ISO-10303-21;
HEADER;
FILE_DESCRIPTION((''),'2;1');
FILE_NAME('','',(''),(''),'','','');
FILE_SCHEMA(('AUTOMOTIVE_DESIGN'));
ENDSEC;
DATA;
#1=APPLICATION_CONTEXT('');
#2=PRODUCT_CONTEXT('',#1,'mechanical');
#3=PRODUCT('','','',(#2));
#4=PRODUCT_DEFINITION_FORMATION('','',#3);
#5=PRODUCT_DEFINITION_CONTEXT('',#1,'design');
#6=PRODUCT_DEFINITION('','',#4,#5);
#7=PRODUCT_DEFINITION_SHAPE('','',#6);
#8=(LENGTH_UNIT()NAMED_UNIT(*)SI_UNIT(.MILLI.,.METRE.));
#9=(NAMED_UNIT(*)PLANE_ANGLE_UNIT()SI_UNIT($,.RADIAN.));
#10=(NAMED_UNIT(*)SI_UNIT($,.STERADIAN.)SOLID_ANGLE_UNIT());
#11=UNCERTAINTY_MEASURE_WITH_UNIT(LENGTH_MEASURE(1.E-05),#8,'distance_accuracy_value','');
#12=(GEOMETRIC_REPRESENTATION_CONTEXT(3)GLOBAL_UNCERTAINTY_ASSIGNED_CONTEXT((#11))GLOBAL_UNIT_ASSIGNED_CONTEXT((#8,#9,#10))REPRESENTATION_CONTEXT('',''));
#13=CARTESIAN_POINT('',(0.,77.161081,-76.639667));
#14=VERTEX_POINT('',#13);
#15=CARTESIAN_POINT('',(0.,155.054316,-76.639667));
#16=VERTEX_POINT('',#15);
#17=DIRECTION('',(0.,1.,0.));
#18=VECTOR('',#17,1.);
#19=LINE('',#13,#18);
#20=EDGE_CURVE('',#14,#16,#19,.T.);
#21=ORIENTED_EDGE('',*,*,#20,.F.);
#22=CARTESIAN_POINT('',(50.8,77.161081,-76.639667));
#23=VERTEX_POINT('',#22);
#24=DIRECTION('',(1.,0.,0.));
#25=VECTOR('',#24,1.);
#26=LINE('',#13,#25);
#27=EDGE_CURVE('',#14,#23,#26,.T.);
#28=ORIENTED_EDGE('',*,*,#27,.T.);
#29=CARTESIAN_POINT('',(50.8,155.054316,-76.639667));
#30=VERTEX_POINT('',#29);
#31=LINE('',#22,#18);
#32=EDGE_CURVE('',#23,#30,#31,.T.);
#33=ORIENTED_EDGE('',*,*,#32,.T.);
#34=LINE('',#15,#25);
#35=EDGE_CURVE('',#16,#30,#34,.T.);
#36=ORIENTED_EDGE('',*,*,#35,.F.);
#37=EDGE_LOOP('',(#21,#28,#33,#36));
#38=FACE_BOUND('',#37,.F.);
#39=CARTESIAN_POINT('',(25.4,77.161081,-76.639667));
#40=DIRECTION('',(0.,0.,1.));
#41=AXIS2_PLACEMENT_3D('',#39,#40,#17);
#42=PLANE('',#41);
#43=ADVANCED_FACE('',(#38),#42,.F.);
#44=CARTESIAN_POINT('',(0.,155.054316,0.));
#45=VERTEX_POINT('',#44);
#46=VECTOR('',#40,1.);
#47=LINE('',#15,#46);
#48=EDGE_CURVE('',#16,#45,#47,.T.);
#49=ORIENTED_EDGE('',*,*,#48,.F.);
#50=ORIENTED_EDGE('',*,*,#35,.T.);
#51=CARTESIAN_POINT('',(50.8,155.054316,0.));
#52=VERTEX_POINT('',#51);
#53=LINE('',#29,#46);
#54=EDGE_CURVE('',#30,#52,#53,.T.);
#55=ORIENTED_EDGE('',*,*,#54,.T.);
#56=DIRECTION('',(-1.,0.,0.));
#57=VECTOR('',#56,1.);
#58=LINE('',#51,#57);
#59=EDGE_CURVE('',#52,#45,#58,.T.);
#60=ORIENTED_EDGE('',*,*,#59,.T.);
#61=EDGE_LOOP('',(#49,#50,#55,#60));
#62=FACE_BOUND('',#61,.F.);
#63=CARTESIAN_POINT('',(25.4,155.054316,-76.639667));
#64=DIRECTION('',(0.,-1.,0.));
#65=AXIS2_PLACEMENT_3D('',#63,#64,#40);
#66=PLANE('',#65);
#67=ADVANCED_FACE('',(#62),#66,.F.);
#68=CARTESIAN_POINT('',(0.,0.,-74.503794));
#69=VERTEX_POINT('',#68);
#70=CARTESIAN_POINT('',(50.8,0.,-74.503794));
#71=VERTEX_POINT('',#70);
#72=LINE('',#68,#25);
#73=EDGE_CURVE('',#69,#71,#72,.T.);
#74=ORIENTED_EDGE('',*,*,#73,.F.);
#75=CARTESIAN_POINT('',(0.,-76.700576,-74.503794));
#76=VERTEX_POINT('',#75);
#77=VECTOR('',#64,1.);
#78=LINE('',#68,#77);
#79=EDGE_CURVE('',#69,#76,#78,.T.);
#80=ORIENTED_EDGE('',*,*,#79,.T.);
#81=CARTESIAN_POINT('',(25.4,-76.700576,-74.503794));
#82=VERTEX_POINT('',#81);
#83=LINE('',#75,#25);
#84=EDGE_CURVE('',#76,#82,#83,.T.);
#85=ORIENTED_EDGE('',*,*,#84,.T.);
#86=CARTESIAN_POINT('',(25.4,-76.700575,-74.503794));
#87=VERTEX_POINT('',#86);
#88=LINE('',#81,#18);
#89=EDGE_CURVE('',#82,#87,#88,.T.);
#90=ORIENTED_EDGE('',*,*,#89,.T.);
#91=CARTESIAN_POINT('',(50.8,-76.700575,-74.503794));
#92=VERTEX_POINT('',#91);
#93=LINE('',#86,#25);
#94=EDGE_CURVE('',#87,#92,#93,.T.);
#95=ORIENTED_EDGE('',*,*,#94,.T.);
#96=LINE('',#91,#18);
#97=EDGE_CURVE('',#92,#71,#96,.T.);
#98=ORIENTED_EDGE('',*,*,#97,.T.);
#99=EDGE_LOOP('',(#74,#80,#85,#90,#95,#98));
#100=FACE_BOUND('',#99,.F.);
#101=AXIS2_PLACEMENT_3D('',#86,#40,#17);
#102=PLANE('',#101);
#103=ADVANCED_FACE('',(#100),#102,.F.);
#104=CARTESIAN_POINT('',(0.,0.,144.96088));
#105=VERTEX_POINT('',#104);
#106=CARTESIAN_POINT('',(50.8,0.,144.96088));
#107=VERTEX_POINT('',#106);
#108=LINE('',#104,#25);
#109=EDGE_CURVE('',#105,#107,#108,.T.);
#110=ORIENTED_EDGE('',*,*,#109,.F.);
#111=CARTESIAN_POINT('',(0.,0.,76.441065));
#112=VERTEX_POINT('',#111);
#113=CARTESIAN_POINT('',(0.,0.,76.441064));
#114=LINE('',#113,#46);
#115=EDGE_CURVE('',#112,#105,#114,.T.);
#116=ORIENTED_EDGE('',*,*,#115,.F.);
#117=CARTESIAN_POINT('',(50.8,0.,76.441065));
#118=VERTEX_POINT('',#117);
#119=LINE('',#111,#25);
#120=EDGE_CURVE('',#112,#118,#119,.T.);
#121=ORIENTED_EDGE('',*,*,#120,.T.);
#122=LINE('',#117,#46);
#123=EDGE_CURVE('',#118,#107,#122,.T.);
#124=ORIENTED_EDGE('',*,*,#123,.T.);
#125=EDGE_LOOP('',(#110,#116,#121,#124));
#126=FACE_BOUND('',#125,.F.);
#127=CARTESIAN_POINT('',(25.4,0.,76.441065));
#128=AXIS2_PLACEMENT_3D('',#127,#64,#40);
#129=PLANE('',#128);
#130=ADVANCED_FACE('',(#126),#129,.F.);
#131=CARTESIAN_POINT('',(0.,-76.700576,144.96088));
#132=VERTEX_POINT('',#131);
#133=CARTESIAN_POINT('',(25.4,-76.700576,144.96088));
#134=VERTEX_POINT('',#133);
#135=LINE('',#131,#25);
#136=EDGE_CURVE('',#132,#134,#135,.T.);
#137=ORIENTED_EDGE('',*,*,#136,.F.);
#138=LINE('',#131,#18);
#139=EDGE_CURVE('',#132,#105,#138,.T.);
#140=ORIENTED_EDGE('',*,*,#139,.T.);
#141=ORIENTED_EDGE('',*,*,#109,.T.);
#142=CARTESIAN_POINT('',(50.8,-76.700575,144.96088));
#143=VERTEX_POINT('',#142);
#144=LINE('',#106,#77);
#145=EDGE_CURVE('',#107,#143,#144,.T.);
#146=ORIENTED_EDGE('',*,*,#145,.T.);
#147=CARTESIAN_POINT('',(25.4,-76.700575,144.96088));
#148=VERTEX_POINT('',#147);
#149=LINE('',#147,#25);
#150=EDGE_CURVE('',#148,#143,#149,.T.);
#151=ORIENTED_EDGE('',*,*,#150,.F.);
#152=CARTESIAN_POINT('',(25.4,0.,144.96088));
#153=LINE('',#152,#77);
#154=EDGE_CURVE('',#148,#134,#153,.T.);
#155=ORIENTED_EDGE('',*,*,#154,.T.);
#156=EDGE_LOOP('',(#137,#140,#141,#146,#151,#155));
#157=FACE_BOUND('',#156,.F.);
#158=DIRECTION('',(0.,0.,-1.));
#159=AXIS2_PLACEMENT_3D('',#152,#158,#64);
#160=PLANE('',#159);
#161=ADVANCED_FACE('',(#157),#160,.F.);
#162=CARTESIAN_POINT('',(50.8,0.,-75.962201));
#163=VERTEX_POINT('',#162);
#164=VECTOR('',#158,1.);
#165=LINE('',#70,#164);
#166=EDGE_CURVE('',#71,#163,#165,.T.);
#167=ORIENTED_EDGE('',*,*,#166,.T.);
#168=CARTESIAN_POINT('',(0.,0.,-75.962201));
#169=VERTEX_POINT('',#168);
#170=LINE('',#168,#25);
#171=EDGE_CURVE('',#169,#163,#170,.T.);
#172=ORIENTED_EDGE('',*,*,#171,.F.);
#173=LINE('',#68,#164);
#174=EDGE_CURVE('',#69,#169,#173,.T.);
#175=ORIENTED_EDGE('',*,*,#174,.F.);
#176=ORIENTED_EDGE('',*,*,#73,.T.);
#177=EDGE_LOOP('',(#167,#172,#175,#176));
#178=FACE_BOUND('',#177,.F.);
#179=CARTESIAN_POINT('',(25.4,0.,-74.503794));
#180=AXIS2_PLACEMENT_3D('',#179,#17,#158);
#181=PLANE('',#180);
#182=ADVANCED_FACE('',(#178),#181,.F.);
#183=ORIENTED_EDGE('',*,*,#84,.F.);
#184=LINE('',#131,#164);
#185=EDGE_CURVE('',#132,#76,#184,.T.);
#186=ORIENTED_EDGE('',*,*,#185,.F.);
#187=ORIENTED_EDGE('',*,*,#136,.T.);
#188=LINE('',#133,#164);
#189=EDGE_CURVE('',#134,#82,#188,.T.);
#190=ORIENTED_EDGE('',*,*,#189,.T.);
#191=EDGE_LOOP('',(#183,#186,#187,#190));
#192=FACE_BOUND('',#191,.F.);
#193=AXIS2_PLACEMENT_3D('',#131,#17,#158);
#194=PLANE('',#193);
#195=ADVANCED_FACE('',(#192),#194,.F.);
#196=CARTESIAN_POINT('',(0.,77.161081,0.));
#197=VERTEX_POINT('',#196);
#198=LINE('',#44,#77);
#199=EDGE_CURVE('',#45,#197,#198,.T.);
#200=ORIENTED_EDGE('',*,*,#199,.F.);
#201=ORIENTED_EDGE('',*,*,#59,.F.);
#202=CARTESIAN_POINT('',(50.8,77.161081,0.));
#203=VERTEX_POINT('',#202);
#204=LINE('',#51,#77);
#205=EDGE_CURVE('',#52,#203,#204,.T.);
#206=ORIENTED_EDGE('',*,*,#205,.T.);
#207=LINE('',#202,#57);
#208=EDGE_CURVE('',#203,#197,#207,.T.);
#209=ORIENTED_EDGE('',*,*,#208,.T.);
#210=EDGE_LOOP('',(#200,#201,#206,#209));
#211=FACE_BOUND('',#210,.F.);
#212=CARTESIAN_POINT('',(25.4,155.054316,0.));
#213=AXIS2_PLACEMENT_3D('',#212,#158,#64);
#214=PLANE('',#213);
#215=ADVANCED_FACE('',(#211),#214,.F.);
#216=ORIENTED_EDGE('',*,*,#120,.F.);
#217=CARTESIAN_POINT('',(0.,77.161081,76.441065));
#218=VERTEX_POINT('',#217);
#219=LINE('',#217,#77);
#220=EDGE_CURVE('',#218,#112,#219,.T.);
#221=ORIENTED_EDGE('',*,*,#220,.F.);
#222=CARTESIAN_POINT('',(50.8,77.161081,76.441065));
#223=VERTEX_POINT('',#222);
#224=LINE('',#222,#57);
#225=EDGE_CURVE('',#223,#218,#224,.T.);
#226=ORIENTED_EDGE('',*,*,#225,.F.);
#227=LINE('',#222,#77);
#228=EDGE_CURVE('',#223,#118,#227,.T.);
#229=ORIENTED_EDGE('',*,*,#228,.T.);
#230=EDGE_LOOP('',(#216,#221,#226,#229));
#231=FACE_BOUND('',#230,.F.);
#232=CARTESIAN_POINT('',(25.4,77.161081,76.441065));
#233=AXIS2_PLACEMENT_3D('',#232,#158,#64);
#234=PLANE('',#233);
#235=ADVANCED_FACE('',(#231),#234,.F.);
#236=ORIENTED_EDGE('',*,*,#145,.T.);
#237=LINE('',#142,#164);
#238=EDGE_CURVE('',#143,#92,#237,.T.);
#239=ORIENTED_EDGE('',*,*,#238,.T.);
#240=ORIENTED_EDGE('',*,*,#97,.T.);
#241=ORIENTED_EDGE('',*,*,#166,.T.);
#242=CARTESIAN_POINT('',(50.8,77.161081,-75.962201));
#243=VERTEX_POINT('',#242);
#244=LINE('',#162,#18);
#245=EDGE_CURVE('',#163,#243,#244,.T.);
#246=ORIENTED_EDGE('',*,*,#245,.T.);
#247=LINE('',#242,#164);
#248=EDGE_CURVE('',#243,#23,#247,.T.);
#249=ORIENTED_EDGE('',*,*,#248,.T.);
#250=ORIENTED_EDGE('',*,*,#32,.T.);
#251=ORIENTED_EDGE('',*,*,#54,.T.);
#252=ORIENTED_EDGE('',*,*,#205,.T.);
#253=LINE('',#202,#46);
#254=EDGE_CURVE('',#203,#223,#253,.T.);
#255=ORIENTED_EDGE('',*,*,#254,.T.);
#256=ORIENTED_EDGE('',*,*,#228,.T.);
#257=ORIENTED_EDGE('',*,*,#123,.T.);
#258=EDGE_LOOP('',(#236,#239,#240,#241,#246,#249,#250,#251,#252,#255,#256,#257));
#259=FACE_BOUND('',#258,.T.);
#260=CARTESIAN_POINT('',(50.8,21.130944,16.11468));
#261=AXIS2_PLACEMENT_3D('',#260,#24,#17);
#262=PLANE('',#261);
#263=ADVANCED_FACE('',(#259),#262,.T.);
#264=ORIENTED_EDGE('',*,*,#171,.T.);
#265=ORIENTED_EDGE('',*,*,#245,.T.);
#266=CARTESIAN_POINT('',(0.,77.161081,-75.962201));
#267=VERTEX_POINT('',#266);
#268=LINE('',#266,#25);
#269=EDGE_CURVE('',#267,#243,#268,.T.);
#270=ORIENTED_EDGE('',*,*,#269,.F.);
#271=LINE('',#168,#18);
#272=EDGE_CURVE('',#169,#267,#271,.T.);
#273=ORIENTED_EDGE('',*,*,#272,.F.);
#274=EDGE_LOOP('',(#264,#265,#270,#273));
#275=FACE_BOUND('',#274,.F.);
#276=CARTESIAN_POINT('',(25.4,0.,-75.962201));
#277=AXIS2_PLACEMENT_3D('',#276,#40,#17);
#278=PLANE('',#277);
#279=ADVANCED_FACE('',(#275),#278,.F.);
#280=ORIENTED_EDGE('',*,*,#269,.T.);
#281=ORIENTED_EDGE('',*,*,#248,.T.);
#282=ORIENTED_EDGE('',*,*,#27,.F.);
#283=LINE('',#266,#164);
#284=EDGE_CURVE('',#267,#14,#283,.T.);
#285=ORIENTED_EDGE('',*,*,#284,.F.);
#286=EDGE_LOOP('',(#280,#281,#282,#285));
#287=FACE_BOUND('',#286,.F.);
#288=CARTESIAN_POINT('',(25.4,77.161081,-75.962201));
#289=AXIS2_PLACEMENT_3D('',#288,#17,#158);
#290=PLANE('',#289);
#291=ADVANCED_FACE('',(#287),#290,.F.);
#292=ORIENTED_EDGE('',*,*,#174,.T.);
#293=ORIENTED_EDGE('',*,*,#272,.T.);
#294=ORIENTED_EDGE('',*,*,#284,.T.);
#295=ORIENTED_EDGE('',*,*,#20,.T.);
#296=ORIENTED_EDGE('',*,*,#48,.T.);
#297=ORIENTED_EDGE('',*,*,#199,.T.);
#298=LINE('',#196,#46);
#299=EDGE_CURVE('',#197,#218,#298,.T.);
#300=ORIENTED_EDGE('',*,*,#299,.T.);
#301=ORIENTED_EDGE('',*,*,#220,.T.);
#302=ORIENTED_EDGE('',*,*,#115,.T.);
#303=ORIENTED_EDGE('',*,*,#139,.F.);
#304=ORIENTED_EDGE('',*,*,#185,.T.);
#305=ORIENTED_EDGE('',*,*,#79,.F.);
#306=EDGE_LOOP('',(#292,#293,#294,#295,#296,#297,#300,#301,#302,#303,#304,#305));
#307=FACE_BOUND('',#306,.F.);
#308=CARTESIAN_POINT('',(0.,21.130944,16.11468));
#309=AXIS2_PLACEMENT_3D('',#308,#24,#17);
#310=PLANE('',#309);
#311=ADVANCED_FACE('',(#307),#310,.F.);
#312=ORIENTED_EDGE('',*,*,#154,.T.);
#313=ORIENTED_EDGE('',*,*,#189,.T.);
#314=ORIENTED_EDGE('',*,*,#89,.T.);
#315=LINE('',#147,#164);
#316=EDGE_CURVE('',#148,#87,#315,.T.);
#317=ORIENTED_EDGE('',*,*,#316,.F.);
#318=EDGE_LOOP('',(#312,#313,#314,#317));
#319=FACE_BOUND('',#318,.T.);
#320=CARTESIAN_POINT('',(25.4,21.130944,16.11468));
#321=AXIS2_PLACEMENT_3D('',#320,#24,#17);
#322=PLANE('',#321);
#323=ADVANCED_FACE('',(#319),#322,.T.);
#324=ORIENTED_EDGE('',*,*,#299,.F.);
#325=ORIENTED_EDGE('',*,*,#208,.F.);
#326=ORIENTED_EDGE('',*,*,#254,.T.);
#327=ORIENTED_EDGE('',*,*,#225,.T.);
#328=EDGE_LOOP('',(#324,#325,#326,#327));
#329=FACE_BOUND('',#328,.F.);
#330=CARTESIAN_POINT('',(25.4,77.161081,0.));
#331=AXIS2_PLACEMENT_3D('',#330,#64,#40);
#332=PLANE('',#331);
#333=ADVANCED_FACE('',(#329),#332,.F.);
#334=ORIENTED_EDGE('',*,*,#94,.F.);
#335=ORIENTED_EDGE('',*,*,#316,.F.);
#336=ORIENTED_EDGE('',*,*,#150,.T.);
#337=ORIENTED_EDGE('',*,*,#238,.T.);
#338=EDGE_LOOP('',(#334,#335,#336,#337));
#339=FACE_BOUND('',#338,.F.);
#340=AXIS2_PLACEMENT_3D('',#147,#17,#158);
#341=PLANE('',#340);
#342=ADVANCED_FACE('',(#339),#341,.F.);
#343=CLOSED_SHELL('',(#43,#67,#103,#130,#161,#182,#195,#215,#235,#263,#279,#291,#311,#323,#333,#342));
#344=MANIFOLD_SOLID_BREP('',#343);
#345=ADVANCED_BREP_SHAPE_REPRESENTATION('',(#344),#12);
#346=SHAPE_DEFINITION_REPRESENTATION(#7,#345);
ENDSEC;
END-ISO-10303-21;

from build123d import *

# Parameters (mm, degrees)
F0_W     = 77.161081
F0_H     = 76.441064
F0_W_2   = 76.700576
F0_H_2   = 58.707238
F0_H_3   = 9.812578
F1_DEPTH = 25.4
F2_DEPTH = 25.4
F3_DEPTH = 25.4


with BuildPart() as f1:
    # F0 (on Right) → F1 (new body)
    with BuildSketch(Plane.YZ):
        with Locations((38.58054, 38.220532)):
            Rectangle(F0_W, F0_H)
        Polygon((0, -74.503794), (0, 0), (0, 76.441064), (-76.700576, 76.441064), (-76.700576, -74.503794), align=None)
        Polygon((77.161081, 0), (0, 0), (0, -74.503794), (0, -75.962201), (77.161081, -75.962201), align=None)
        Polygon((155.054316, 0), (77.161081, 0), (77.161081, -75.962201), (77.161081, -76.639667), (155.054316, -76.639667), align=None)
        with Locations((-38.350288, 105.794683)):
            Rectangle(F0_W_2, F0_H_2)
        with Locations((-38.350288, 140.054591)):
            Rectangle(F0_W_2, F0_H_3)
    extrude(amount=F1_DEPTH)

    # F1_face (on face) → F2 (join)
    with BuildSketch(Plane(origin=(25.4, 14.503292, 10.620267), x_dir=(0, 1, 0), z_dir=(1, 0, 0))):
        Polygon((62.657789, 65.820798), (-14.503292, 65.820798), (-14.503292, 134.340613), (-91.203867, 134.340613), (-91.203867, -85.124061), (-14.503292, -85.124061), (-14.503292, -86.582468), (62.657789, -86.582468), (62.657789, -87.259934), (140.551024, -87.259934), (140.551024, -10.620267), (62.657789, -10.620267), align=None)
    extrude(amount=-F2_DEPTH)

    # F1_face (on face) → F3 (join)
    with BuildSketch(Plane(origin=(25.4, 14.503292, 10.620267), x_dir=(0, 1, 0), z_dir=(1, 0, 0))):
        Polygon((62.657789, 65.820798), (-14.503292, 65.820798), (-14.503292, 134.340613), (-91.203867, 134.340613), (-91.203867, -85.124061), (-14.503292, -85.124061), (-14.503292, -86.582468), (62.657789, -86.582468), (62.657789, -87.259934), (140.551024, -87.259934), (140.551024, -10.620267), (62.657789, -10.620267), align=None)
    extrude(amount=F3_DEPTH)


solid = f1.part
